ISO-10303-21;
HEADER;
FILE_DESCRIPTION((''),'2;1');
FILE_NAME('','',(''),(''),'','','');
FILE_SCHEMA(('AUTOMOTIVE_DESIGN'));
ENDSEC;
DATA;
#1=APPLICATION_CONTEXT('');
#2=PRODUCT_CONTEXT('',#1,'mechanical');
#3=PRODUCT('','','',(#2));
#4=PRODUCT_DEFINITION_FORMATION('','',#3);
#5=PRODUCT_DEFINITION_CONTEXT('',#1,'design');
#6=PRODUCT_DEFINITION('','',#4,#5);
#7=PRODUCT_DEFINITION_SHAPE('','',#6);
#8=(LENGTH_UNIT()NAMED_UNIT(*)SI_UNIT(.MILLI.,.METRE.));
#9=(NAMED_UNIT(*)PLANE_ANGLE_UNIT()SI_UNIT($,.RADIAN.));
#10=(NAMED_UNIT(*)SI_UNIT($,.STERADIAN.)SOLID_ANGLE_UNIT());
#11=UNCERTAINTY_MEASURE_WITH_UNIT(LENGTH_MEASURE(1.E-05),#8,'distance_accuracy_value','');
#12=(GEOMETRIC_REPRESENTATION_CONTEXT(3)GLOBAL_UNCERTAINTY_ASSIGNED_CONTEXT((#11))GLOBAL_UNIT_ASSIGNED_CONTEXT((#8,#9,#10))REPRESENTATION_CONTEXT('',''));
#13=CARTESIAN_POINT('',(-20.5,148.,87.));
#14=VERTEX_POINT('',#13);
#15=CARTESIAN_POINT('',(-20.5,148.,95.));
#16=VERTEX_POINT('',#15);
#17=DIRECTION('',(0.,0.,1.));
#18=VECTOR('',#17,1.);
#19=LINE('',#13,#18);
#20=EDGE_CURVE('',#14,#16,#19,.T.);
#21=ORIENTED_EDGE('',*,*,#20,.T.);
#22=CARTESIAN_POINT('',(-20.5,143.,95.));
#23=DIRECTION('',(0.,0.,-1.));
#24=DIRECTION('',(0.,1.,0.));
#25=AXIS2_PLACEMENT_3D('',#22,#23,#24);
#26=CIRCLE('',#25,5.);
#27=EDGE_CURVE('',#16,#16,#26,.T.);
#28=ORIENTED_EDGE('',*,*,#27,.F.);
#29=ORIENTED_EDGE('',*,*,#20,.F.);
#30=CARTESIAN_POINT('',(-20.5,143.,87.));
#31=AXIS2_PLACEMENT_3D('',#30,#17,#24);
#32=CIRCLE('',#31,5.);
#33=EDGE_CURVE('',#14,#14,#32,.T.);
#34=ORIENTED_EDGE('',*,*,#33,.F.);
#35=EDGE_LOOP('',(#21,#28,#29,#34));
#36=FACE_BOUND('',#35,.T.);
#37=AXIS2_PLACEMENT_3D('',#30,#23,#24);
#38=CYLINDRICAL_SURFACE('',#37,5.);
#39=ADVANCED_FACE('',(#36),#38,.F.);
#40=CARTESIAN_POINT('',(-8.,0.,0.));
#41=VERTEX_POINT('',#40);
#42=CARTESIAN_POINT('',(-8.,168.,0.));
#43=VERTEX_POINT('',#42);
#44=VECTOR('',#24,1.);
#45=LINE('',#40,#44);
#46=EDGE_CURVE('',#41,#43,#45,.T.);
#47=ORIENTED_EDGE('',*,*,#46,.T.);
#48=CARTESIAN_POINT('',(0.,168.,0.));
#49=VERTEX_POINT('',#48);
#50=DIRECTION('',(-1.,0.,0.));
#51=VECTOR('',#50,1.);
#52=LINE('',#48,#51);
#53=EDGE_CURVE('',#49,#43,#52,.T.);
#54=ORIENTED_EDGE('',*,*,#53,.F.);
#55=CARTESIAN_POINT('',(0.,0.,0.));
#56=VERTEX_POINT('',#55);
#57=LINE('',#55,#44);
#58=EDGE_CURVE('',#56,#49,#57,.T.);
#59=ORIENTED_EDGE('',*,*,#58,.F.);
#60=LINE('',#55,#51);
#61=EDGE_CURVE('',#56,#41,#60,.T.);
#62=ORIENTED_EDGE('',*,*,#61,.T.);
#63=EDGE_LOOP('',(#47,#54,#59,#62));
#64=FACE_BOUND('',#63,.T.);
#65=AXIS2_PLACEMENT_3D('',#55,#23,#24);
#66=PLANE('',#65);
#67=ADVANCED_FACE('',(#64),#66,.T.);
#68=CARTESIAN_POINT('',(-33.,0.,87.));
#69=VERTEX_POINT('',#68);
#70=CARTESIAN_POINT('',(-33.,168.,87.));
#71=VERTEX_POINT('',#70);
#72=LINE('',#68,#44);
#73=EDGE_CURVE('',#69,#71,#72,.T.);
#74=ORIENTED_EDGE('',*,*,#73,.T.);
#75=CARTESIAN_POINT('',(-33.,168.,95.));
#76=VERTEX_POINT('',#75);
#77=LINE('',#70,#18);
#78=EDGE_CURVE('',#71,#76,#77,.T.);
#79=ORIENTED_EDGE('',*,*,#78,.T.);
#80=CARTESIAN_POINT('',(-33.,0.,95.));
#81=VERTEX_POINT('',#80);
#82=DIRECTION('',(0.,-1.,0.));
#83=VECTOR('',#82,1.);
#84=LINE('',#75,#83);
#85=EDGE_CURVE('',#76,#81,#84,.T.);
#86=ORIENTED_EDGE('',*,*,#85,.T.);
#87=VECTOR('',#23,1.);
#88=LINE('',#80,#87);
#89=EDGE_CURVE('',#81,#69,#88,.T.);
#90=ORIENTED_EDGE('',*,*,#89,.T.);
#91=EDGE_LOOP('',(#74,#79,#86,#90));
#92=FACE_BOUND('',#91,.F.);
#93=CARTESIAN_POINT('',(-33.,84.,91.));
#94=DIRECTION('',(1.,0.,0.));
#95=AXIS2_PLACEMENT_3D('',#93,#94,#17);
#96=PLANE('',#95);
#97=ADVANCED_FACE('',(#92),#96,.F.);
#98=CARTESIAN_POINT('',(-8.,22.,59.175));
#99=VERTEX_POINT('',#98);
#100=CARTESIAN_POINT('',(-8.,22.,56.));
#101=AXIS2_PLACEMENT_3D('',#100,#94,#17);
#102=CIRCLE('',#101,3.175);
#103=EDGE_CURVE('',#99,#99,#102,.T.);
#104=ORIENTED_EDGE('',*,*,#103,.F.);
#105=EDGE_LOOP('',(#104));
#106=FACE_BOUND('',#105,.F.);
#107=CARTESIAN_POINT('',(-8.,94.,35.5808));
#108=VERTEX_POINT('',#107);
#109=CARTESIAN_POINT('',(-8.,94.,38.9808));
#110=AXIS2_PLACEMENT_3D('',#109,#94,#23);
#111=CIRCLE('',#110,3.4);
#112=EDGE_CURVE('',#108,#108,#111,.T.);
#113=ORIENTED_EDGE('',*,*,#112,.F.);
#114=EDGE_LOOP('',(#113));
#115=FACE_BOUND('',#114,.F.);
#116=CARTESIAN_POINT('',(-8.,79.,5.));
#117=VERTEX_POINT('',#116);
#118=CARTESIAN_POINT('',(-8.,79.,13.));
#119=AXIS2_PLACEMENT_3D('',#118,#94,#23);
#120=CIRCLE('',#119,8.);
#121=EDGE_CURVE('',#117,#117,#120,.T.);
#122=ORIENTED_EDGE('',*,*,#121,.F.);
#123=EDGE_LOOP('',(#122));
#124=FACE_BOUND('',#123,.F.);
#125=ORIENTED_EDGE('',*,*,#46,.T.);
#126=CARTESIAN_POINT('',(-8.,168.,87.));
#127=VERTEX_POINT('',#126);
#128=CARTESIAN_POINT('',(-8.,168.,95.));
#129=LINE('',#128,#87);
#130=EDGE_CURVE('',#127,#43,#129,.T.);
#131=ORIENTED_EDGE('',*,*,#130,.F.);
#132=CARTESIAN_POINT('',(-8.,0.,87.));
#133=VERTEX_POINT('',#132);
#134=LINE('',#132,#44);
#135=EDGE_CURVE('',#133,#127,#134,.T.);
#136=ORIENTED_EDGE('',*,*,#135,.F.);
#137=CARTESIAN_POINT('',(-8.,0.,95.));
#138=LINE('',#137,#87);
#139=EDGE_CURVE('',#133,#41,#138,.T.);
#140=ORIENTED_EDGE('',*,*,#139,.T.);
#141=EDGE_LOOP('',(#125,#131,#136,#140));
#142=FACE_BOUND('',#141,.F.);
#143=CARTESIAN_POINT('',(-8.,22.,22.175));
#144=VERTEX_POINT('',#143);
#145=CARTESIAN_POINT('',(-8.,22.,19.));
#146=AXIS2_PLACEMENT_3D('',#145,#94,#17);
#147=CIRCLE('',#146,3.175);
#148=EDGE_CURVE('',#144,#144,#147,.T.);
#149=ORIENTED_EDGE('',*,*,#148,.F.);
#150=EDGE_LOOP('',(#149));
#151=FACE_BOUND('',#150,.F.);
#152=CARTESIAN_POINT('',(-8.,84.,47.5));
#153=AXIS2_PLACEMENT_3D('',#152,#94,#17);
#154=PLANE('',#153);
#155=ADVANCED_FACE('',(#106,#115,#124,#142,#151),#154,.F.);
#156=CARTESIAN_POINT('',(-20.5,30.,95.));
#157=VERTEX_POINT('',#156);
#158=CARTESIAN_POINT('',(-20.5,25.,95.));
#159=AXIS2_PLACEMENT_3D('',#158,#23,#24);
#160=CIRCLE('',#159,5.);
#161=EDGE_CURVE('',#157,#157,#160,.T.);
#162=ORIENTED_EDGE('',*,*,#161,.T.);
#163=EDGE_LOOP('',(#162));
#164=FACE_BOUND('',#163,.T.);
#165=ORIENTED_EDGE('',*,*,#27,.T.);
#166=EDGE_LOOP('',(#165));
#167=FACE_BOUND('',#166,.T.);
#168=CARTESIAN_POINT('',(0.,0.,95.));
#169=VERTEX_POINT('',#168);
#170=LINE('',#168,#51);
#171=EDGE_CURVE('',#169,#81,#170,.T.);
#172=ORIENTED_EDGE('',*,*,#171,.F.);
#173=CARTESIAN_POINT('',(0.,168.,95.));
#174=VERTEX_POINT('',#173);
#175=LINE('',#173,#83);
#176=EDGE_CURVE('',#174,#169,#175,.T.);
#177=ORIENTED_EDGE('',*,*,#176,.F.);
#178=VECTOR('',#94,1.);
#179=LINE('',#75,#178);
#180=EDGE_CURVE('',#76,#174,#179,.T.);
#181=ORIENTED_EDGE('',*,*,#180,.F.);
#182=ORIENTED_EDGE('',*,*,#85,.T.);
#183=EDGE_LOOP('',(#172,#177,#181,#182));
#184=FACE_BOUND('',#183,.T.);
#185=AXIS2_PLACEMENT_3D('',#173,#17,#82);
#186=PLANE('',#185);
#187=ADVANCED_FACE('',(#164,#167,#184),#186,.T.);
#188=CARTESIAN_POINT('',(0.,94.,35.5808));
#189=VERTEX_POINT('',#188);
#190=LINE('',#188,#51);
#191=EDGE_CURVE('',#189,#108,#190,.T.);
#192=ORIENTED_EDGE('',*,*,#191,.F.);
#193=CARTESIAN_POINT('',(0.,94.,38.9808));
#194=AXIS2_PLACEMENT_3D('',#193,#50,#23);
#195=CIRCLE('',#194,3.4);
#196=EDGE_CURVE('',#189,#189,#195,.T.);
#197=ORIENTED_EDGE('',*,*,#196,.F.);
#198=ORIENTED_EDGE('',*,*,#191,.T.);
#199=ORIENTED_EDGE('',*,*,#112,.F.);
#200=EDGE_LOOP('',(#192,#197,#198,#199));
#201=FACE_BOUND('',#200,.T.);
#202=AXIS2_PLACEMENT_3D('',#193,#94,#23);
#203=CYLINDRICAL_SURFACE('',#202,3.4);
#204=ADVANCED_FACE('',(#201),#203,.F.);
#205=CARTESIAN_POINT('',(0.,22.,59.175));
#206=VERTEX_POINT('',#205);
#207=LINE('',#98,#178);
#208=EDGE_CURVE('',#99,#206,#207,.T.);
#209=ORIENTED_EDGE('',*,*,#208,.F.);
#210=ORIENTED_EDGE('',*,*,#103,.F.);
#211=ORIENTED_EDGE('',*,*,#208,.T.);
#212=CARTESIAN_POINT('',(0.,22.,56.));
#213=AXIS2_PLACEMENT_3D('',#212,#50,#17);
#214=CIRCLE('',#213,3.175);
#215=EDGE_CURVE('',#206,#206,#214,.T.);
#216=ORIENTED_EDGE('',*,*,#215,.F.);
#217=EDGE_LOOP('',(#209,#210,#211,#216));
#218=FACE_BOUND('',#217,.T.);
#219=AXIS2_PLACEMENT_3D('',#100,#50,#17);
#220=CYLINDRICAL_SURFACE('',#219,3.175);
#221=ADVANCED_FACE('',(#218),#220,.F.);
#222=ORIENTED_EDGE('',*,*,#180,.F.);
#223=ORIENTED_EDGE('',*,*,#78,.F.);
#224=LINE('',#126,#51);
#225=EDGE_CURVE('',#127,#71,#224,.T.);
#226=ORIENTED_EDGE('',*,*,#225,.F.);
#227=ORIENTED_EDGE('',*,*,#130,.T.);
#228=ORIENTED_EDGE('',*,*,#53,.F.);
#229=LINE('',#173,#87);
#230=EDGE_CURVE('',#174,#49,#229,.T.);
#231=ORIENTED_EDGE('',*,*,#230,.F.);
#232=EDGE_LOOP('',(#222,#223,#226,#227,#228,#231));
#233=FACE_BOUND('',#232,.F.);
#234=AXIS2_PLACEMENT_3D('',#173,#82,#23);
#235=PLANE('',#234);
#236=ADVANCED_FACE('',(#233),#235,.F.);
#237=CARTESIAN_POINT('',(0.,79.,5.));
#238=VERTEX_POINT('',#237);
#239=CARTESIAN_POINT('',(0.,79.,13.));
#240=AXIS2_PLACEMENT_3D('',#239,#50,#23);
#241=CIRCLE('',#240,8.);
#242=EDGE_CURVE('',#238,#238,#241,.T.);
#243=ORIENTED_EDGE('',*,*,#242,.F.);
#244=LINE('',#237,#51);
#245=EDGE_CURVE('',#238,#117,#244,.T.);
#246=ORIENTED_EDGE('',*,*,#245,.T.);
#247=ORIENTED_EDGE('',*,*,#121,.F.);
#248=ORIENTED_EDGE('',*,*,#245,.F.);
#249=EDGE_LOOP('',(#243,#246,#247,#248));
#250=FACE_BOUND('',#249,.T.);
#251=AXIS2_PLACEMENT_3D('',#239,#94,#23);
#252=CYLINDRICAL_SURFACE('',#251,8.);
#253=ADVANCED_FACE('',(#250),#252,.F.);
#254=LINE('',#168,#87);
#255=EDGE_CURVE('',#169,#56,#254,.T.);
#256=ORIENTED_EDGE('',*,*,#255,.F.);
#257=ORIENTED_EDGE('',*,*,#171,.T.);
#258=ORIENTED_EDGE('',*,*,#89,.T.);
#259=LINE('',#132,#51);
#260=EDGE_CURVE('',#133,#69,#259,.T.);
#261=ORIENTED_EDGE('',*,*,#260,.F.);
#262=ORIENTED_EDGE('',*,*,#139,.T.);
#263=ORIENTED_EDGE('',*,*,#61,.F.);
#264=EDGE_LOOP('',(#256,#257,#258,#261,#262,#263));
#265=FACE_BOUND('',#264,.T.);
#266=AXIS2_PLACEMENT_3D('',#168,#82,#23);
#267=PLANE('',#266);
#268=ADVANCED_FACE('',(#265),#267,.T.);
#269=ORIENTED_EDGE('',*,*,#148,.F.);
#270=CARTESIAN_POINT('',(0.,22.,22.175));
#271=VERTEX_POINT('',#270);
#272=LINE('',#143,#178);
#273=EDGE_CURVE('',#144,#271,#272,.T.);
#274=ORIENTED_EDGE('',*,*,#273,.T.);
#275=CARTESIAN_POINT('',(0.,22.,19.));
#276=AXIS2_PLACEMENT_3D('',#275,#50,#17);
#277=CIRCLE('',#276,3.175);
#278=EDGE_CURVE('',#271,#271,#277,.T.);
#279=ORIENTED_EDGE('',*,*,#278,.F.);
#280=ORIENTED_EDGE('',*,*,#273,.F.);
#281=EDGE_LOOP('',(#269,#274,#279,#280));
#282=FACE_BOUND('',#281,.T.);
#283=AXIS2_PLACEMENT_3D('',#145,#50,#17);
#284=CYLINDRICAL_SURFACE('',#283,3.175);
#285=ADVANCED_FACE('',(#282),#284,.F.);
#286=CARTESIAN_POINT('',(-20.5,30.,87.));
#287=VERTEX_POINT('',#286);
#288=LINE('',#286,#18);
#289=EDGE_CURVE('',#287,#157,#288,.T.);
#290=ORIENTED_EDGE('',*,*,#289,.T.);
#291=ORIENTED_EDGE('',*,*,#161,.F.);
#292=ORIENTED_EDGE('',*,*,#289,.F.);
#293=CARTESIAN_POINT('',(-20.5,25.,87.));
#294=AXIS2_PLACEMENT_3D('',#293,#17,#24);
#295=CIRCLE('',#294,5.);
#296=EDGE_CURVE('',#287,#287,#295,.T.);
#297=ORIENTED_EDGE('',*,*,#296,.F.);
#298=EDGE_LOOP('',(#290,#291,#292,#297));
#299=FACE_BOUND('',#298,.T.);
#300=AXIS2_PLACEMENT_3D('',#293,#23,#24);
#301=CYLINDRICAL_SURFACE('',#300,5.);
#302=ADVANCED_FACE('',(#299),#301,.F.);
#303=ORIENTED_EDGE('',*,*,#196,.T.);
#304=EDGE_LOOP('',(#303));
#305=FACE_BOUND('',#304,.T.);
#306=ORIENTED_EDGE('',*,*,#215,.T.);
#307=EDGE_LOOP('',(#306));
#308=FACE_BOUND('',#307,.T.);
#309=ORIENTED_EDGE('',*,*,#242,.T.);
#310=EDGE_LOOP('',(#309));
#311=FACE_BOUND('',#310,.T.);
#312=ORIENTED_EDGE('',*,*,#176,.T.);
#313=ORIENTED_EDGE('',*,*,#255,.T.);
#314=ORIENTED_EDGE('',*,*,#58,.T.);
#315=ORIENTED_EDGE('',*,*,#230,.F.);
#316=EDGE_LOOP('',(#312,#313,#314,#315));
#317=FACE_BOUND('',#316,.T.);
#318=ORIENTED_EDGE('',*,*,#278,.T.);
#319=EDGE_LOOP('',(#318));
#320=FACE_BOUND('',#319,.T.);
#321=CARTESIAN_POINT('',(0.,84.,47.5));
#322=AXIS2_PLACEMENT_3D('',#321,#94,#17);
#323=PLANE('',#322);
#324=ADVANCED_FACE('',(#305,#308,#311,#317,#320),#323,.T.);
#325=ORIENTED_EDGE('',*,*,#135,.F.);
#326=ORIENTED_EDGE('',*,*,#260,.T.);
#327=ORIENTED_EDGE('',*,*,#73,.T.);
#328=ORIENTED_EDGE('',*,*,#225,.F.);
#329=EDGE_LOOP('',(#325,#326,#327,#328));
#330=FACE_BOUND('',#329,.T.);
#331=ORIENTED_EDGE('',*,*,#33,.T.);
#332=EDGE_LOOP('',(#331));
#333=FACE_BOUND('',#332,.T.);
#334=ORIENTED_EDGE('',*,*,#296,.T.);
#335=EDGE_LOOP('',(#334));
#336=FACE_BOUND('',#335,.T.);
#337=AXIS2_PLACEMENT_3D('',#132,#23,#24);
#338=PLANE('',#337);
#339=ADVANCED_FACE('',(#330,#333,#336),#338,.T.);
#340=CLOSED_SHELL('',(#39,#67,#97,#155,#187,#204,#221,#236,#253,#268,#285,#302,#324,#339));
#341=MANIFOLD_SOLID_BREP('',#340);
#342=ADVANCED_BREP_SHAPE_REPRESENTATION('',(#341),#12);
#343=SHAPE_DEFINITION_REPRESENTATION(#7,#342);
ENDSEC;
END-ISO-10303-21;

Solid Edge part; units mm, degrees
sketch "Sketch1" plane through (0, 0, 0) normal (1, 0, 0) x (0, 1, 0)
  line L0 (0, 0) -> (168, 0)
  line L1 (168, 95) -> (168, 0)
  line L2 (168, 95) -> (0, 95)
  line L3 (0, 95) -> (0, 0)
  dimension "D1" = 168
  dimension "D2" = 95
extrude "Protrusion1" add sketch "Sketch1" against normal blind 8
hole "Hole_1" at (0, 79, 13) direction (-1, 0, 0) diameter 16 end through all
sketch "Sketch2" plane through (0, 76.5, 47.5) normal (1, 0, 0) x (0, 1, 0)
  circle A0 centre (17.5, -8.5192) radius 3
extrude "Cutout1" cut sketch "Sketch2" against normal blind 50.8
hole "Hole_2" at (0, 94, 38.9808) direction (-1, 0, 0) diameter 6.8 end through all
sketch "Sketch3" plane through (-8, 84, 47.5) normal (-1, 0, 0) x (0, 1, 0)
  line L0 (-84, -39.5) -> (84, -39.5)
  line L1 (84, -39.5) -> (84, -47.5)
  line L2 (84, -47.5) -> (-84, -47.5)
  line L3 (-84, -47.5) -> (-84, -39.5)
  dimension "D1" = 8
extrude "ExtrudedProtrusion_2" add sketch "Sketch3" along normal blind 25
hole "Hole_3" at (-20.5, 143, 87) direction (0, 0, 1) diameter 10 end up to next
hole "Hole1" at (-20.5, 25, 87) direction (0, 0, 1) diameter 10 end up to next
hole "Hole_7" at (-8, 22, 56) direction (1, 0, 0) diameter 6.35 end up to next
hole "Hole2" at (-8, 22, 19) direction (1, 0, 0) diameter 6.35 end up to next
properties part number "88866"
